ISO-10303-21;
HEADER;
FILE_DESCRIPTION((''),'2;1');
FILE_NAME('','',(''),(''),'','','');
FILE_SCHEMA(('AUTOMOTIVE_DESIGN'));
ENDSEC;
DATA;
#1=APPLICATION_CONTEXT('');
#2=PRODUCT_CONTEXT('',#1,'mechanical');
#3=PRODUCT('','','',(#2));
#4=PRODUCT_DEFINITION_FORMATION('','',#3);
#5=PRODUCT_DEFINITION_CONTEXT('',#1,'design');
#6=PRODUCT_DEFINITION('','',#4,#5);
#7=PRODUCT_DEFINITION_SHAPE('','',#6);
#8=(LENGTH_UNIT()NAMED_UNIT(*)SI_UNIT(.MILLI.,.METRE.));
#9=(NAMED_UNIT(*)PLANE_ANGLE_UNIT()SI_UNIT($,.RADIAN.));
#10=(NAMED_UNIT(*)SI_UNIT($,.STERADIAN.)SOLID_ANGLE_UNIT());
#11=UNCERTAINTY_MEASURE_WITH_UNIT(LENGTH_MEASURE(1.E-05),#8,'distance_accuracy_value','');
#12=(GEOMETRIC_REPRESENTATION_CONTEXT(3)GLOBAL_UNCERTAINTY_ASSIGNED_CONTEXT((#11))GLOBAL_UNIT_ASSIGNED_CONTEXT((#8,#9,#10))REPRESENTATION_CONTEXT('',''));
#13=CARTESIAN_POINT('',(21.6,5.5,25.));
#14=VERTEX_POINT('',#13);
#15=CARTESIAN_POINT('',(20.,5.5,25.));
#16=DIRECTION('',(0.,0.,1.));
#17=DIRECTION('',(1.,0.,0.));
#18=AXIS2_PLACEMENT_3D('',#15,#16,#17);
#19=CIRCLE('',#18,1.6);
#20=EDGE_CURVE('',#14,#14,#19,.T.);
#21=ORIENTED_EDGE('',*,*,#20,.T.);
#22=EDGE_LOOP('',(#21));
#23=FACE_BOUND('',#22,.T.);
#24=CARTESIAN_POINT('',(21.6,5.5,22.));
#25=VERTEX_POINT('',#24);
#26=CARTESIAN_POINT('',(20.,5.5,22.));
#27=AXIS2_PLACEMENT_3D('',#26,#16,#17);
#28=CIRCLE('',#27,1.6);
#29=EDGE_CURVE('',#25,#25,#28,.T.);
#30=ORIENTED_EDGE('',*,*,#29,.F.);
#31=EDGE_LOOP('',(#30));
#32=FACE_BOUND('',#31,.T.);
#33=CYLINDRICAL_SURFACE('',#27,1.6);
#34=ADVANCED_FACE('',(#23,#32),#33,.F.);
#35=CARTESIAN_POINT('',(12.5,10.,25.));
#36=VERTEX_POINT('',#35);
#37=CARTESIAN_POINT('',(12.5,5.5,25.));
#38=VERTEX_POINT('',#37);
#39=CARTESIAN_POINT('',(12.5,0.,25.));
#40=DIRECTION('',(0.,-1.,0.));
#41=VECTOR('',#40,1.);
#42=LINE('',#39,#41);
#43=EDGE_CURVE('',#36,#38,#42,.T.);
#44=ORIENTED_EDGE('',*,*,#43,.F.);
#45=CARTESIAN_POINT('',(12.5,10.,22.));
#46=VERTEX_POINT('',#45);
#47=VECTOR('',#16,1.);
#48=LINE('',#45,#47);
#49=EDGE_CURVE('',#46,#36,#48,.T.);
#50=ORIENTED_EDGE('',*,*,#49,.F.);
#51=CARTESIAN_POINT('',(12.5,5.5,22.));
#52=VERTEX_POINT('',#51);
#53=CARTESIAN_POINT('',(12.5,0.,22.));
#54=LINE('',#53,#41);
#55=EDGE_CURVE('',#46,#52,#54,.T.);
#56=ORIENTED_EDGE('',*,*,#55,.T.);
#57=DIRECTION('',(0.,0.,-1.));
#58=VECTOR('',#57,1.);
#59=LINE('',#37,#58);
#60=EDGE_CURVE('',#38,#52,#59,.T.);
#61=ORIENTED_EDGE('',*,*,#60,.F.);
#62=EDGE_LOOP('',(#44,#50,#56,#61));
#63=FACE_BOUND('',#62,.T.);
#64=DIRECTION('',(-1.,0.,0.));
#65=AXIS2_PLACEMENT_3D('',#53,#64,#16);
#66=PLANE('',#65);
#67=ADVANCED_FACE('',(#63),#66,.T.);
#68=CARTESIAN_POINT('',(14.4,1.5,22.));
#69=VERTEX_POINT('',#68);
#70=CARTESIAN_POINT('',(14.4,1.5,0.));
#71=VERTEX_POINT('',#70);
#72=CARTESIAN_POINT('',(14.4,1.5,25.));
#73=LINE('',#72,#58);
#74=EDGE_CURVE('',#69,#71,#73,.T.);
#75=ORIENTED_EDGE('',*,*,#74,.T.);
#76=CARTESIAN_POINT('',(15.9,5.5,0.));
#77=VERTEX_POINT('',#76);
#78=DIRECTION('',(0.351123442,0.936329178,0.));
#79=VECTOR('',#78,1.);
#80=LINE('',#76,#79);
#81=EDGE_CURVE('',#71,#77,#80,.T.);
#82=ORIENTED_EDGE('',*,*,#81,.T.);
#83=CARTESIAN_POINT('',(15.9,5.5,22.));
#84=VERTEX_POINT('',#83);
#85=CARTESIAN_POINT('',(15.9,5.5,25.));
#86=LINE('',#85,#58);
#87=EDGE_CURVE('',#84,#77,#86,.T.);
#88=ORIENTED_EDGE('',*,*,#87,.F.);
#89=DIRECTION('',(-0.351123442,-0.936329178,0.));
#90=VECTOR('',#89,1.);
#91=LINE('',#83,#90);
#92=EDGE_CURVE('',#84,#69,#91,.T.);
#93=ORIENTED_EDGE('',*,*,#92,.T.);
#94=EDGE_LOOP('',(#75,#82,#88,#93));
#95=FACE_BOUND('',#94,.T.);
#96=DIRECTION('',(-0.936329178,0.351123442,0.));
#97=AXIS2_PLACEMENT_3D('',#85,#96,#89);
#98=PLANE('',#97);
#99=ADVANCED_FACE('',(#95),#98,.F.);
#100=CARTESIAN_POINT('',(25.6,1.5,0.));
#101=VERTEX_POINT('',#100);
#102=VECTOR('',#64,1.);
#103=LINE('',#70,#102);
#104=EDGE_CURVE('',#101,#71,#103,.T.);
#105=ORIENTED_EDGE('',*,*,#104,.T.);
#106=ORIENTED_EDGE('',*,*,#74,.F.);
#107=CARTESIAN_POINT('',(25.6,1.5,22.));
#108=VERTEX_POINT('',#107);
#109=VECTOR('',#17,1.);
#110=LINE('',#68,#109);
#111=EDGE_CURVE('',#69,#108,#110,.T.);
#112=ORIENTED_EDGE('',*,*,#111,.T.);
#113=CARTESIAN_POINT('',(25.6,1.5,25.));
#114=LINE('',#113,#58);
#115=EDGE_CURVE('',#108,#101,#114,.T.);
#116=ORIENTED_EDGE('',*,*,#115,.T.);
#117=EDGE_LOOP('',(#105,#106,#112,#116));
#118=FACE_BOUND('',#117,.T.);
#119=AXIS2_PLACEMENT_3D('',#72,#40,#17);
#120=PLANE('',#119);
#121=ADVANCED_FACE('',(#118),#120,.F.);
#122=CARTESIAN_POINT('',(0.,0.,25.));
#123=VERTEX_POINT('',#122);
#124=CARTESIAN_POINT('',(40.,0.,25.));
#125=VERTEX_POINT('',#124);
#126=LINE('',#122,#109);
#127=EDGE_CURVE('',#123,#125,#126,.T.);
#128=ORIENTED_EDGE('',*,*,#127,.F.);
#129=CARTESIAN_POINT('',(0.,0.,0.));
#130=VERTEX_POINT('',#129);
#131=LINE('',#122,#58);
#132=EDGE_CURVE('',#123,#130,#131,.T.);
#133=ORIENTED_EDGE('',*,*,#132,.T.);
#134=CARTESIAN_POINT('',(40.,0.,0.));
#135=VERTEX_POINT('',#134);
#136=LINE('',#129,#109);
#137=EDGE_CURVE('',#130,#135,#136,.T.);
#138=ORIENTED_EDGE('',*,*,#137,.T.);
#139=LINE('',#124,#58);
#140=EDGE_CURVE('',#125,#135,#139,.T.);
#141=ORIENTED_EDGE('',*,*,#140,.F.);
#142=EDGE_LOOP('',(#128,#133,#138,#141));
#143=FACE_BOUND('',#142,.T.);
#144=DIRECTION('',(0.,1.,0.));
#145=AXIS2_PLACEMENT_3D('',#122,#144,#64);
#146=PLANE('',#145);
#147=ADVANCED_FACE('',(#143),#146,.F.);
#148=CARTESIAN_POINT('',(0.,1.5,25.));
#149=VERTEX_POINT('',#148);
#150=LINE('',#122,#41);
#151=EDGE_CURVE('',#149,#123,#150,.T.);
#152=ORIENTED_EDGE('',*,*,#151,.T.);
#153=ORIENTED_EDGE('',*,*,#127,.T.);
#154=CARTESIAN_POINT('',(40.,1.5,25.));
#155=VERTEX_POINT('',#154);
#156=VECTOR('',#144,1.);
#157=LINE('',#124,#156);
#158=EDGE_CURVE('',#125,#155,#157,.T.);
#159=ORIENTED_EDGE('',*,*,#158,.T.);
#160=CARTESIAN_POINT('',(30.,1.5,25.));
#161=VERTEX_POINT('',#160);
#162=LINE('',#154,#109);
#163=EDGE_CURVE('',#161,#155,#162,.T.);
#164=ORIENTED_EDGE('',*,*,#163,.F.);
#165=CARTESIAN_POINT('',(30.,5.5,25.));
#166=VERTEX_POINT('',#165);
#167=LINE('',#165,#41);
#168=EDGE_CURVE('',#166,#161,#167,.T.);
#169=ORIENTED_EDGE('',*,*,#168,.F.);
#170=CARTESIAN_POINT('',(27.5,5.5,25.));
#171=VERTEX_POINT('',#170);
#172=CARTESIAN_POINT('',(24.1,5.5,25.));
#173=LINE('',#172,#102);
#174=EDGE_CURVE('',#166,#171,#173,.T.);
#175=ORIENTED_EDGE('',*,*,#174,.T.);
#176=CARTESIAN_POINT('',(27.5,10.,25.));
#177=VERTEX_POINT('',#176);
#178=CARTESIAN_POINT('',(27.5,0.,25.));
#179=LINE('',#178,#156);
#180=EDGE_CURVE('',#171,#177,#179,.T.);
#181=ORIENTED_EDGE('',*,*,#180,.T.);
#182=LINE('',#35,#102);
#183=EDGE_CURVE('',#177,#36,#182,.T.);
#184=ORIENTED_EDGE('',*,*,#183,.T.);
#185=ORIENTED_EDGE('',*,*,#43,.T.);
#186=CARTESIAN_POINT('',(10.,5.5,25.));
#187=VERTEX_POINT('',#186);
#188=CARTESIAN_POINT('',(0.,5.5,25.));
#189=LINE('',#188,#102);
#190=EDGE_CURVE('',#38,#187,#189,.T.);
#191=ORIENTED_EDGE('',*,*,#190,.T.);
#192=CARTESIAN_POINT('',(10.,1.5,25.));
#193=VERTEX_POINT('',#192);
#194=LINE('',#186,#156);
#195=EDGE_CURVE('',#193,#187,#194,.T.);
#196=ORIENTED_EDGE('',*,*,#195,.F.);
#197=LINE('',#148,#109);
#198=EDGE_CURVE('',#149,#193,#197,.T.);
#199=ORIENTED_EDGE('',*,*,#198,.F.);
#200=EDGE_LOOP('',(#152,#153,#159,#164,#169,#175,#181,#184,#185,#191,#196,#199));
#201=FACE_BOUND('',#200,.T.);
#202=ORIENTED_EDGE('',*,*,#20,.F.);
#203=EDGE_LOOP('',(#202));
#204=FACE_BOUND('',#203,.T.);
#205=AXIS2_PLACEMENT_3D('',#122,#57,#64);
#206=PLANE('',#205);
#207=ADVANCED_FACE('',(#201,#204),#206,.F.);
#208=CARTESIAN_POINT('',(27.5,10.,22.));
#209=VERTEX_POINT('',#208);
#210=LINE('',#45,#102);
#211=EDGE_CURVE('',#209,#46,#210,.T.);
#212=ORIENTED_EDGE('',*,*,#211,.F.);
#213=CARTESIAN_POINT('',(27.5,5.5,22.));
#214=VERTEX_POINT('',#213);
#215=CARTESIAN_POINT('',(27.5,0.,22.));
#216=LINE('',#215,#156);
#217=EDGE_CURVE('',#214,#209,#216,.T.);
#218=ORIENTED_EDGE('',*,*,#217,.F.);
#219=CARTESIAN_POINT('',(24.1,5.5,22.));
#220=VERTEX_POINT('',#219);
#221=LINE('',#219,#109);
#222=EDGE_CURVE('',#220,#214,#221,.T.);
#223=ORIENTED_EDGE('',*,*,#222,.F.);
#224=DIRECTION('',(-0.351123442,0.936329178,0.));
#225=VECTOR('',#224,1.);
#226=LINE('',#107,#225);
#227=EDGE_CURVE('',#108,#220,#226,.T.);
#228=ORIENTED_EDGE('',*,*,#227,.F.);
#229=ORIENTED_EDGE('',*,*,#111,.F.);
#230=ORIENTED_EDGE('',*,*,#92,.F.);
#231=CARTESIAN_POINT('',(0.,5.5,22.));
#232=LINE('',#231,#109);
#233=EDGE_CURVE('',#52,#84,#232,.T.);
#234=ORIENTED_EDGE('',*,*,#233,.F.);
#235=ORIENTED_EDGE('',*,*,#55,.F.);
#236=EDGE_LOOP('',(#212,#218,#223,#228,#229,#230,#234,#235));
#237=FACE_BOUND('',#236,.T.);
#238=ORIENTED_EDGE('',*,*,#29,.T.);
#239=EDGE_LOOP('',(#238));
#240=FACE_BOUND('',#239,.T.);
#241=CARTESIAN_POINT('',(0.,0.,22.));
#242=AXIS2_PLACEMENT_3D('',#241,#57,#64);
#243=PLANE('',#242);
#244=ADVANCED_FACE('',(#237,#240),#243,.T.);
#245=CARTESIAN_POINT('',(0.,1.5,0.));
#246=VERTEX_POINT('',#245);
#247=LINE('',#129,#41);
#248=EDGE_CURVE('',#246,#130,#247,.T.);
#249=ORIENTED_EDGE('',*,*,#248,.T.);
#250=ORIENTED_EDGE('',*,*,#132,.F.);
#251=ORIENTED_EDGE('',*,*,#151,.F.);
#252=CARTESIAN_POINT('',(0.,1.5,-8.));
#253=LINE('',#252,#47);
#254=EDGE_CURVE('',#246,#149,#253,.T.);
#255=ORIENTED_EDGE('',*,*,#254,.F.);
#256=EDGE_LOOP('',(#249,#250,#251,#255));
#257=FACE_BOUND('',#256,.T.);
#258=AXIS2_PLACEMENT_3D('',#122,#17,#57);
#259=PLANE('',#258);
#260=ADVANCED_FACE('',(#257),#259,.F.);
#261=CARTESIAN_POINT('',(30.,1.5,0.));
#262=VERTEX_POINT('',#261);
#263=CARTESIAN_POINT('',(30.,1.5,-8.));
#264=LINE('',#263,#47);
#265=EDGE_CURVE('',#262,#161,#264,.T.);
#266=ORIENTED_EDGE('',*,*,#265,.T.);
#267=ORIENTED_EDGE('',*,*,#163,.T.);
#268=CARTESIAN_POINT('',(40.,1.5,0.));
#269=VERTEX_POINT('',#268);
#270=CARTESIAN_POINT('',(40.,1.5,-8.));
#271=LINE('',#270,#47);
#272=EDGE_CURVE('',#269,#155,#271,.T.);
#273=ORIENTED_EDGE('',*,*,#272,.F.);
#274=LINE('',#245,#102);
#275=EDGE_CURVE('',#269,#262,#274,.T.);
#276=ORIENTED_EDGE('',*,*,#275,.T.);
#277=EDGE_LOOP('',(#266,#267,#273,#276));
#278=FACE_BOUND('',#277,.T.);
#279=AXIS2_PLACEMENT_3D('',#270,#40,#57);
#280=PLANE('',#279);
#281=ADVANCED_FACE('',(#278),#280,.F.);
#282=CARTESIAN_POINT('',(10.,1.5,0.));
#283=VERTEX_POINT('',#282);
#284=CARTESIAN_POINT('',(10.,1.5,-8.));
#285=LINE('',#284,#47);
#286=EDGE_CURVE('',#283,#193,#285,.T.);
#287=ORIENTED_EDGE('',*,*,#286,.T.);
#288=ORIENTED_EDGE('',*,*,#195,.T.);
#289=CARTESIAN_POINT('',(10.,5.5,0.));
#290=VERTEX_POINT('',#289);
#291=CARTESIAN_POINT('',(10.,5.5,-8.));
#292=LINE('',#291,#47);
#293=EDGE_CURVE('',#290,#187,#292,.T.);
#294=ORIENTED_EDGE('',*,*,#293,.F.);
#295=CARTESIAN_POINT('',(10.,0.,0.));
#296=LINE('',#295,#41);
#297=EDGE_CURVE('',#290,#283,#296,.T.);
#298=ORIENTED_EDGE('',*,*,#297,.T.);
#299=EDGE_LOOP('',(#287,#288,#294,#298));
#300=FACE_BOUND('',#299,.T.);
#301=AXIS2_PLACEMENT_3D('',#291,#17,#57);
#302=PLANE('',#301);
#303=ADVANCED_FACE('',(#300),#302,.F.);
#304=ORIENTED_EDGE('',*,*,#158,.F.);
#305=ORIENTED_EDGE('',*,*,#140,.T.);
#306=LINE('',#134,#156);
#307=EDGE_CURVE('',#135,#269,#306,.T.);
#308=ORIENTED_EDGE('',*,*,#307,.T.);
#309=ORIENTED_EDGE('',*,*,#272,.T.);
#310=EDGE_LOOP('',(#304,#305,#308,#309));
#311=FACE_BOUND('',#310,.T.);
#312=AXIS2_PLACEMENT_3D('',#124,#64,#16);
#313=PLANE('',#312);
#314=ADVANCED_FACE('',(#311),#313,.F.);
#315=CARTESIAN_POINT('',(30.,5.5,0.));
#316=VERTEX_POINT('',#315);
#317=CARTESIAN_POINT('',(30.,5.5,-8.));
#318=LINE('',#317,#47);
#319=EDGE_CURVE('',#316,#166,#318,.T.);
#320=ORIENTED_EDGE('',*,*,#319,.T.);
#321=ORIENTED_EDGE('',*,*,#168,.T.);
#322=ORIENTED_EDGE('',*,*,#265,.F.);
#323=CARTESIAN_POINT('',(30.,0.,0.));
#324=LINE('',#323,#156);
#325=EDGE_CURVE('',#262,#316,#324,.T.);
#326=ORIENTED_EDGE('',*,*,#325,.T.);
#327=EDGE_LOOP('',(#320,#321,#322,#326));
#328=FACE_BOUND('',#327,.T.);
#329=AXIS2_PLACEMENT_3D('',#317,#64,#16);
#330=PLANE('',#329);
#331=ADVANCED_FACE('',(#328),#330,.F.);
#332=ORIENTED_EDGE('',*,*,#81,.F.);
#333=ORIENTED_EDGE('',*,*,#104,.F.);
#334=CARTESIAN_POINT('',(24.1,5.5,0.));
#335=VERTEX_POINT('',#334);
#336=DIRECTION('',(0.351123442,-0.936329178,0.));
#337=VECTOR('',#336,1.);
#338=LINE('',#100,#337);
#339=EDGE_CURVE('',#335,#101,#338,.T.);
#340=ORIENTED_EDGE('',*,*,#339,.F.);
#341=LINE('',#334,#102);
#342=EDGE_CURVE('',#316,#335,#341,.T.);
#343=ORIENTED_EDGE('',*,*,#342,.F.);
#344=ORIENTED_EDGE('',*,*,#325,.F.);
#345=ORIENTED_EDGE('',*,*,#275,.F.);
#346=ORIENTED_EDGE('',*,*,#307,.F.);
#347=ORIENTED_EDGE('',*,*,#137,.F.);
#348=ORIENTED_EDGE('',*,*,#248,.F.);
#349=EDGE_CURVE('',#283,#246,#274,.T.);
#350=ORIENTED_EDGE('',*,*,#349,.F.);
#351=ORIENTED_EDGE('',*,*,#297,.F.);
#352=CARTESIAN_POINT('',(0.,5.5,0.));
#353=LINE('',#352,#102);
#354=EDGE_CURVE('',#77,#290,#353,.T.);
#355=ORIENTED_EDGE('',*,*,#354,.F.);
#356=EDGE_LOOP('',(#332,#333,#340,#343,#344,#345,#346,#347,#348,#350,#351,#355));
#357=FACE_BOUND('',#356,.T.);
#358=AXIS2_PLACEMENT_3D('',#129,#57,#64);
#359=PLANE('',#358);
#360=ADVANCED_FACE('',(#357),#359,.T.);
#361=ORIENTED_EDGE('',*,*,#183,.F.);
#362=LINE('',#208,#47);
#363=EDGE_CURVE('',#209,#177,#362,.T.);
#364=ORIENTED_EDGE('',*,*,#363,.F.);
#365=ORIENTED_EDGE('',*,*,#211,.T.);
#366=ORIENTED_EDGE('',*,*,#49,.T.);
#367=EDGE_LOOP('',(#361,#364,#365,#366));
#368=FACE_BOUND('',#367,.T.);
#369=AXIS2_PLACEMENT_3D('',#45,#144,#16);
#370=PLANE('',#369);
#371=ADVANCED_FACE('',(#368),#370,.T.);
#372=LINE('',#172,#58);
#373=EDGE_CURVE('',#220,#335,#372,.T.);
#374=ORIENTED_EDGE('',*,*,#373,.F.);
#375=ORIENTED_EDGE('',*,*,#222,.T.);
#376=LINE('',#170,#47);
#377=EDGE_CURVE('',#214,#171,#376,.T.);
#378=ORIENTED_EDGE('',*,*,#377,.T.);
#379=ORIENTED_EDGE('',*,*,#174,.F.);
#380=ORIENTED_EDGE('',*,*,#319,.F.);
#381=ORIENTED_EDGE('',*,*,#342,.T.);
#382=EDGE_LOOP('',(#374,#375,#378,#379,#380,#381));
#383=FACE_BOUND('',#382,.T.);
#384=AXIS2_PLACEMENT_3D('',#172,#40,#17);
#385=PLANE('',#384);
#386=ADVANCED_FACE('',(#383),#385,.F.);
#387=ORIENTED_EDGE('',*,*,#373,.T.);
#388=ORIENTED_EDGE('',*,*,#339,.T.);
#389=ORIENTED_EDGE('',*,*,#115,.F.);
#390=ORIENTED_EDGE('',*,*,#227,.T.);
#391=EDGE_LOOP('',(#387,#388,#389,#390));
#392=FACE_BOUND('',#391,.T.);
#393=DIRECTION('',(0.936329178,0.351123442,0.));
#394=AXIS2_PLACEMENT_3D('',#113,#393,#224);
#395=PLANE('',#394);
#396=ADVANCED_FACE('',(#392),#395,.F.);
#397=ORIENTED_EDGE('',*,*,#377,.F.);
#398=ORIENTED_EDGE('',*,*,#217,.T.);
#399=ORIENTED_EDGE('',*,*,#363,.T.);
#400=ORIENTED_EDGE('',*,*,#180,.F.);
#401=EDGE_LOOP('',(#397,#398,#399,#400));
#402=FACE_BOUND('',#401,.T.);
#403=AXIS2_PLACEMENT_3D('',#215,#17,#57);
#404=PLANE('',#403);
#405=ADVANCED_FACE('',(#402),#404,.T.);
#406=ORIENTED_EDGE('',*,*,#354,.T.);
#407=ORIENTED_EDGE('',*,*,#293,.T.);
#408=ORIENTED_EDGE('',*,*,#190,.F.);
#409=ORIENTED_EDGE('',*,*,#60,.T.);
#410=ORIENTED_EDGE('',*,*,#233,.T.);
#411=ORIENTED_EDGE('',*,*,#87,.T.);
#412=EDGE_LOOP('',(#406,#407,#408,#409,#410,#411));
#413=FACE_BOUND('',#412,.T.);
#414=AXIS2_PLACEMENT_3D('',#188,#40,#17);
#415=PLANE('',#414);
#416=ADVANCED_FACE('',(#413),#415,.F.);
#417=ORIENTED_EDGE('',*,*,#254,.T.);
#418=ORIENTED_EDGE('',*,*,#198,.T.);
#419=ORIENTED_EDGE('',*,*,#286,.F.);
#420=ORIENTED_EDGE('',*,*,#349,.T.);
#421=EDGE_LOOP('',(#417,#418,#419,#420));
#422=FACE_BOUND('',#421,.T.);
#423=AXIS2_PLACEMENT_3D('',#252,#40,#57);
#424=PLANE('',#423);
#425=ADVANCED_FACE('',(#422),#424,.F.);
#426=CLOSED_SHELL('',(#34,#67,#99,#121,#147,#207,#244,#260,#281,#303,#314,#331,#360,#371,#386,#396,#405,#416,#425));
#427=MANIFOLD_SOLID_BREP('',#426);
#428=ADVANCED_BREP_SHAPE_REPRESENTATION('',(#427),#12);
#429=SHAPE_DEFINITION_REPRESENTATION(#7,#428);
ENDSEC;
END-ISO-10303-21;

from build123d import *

# Parameters (mm, degrees)
SALIENTE_EXTRUIR1_DEPTH = 25
CROQUIS2_W              = 15
CROQUIS2_H              = 10
CROQUIS2_R              = 1.6
SALIENTE_EXTRUIR2_DEPTH = 3
CROQUIS3_W              = 10
CROQUIS3_H              = 4
CORTAR_EXTRUIR1_DEPTH   = 33


with BuildPart() as part:
    # Croquis1 → Saliente-Extruir1 (new body)
    with BuildSketch(Plane.XY):
        Polygon((15.9, 5.5), (14.4, 1.5), (25.6, 1.5), (24.1, 5.5), (40, 5.5), (40, 0), (0, 0), (0, 5.5), align=None)
    extrude(amount=SALIENTE_EXTRUIR1_DEPTH)

    # Croquis2 → Saliente-Extruir2 (add)
    with BuildSketch(Plane.XY.offset(25)):
        with Locations((20, 5)):
            Rectangle(CROQUIS2_W, CROQUIS2_H)
        with Locations((20, 5.5)):
            Circle(CROQUIS2_R, mode=Mode.SUBTRACT)
    extrude(amount=-SALIENTE_EXTRUIR2_DEPTH)

    # Croquis3 → Cortar-Extruir1 (cut)
    with BuildSketch(Plane.XY.offset(25)):
        with Locations((5, 3.5)):
            Rectangle(CROQUIS3_W, CROQUIS3_H)
        with Locations((35, 3.5)):
            Rectangle(CROQUIS3_W, CROQUIS3_H)
    extrude(amount=-CORTAR_EXTRUIR1_DEPTH, mode=Mode.SUBTRACT)


solid = part.part
